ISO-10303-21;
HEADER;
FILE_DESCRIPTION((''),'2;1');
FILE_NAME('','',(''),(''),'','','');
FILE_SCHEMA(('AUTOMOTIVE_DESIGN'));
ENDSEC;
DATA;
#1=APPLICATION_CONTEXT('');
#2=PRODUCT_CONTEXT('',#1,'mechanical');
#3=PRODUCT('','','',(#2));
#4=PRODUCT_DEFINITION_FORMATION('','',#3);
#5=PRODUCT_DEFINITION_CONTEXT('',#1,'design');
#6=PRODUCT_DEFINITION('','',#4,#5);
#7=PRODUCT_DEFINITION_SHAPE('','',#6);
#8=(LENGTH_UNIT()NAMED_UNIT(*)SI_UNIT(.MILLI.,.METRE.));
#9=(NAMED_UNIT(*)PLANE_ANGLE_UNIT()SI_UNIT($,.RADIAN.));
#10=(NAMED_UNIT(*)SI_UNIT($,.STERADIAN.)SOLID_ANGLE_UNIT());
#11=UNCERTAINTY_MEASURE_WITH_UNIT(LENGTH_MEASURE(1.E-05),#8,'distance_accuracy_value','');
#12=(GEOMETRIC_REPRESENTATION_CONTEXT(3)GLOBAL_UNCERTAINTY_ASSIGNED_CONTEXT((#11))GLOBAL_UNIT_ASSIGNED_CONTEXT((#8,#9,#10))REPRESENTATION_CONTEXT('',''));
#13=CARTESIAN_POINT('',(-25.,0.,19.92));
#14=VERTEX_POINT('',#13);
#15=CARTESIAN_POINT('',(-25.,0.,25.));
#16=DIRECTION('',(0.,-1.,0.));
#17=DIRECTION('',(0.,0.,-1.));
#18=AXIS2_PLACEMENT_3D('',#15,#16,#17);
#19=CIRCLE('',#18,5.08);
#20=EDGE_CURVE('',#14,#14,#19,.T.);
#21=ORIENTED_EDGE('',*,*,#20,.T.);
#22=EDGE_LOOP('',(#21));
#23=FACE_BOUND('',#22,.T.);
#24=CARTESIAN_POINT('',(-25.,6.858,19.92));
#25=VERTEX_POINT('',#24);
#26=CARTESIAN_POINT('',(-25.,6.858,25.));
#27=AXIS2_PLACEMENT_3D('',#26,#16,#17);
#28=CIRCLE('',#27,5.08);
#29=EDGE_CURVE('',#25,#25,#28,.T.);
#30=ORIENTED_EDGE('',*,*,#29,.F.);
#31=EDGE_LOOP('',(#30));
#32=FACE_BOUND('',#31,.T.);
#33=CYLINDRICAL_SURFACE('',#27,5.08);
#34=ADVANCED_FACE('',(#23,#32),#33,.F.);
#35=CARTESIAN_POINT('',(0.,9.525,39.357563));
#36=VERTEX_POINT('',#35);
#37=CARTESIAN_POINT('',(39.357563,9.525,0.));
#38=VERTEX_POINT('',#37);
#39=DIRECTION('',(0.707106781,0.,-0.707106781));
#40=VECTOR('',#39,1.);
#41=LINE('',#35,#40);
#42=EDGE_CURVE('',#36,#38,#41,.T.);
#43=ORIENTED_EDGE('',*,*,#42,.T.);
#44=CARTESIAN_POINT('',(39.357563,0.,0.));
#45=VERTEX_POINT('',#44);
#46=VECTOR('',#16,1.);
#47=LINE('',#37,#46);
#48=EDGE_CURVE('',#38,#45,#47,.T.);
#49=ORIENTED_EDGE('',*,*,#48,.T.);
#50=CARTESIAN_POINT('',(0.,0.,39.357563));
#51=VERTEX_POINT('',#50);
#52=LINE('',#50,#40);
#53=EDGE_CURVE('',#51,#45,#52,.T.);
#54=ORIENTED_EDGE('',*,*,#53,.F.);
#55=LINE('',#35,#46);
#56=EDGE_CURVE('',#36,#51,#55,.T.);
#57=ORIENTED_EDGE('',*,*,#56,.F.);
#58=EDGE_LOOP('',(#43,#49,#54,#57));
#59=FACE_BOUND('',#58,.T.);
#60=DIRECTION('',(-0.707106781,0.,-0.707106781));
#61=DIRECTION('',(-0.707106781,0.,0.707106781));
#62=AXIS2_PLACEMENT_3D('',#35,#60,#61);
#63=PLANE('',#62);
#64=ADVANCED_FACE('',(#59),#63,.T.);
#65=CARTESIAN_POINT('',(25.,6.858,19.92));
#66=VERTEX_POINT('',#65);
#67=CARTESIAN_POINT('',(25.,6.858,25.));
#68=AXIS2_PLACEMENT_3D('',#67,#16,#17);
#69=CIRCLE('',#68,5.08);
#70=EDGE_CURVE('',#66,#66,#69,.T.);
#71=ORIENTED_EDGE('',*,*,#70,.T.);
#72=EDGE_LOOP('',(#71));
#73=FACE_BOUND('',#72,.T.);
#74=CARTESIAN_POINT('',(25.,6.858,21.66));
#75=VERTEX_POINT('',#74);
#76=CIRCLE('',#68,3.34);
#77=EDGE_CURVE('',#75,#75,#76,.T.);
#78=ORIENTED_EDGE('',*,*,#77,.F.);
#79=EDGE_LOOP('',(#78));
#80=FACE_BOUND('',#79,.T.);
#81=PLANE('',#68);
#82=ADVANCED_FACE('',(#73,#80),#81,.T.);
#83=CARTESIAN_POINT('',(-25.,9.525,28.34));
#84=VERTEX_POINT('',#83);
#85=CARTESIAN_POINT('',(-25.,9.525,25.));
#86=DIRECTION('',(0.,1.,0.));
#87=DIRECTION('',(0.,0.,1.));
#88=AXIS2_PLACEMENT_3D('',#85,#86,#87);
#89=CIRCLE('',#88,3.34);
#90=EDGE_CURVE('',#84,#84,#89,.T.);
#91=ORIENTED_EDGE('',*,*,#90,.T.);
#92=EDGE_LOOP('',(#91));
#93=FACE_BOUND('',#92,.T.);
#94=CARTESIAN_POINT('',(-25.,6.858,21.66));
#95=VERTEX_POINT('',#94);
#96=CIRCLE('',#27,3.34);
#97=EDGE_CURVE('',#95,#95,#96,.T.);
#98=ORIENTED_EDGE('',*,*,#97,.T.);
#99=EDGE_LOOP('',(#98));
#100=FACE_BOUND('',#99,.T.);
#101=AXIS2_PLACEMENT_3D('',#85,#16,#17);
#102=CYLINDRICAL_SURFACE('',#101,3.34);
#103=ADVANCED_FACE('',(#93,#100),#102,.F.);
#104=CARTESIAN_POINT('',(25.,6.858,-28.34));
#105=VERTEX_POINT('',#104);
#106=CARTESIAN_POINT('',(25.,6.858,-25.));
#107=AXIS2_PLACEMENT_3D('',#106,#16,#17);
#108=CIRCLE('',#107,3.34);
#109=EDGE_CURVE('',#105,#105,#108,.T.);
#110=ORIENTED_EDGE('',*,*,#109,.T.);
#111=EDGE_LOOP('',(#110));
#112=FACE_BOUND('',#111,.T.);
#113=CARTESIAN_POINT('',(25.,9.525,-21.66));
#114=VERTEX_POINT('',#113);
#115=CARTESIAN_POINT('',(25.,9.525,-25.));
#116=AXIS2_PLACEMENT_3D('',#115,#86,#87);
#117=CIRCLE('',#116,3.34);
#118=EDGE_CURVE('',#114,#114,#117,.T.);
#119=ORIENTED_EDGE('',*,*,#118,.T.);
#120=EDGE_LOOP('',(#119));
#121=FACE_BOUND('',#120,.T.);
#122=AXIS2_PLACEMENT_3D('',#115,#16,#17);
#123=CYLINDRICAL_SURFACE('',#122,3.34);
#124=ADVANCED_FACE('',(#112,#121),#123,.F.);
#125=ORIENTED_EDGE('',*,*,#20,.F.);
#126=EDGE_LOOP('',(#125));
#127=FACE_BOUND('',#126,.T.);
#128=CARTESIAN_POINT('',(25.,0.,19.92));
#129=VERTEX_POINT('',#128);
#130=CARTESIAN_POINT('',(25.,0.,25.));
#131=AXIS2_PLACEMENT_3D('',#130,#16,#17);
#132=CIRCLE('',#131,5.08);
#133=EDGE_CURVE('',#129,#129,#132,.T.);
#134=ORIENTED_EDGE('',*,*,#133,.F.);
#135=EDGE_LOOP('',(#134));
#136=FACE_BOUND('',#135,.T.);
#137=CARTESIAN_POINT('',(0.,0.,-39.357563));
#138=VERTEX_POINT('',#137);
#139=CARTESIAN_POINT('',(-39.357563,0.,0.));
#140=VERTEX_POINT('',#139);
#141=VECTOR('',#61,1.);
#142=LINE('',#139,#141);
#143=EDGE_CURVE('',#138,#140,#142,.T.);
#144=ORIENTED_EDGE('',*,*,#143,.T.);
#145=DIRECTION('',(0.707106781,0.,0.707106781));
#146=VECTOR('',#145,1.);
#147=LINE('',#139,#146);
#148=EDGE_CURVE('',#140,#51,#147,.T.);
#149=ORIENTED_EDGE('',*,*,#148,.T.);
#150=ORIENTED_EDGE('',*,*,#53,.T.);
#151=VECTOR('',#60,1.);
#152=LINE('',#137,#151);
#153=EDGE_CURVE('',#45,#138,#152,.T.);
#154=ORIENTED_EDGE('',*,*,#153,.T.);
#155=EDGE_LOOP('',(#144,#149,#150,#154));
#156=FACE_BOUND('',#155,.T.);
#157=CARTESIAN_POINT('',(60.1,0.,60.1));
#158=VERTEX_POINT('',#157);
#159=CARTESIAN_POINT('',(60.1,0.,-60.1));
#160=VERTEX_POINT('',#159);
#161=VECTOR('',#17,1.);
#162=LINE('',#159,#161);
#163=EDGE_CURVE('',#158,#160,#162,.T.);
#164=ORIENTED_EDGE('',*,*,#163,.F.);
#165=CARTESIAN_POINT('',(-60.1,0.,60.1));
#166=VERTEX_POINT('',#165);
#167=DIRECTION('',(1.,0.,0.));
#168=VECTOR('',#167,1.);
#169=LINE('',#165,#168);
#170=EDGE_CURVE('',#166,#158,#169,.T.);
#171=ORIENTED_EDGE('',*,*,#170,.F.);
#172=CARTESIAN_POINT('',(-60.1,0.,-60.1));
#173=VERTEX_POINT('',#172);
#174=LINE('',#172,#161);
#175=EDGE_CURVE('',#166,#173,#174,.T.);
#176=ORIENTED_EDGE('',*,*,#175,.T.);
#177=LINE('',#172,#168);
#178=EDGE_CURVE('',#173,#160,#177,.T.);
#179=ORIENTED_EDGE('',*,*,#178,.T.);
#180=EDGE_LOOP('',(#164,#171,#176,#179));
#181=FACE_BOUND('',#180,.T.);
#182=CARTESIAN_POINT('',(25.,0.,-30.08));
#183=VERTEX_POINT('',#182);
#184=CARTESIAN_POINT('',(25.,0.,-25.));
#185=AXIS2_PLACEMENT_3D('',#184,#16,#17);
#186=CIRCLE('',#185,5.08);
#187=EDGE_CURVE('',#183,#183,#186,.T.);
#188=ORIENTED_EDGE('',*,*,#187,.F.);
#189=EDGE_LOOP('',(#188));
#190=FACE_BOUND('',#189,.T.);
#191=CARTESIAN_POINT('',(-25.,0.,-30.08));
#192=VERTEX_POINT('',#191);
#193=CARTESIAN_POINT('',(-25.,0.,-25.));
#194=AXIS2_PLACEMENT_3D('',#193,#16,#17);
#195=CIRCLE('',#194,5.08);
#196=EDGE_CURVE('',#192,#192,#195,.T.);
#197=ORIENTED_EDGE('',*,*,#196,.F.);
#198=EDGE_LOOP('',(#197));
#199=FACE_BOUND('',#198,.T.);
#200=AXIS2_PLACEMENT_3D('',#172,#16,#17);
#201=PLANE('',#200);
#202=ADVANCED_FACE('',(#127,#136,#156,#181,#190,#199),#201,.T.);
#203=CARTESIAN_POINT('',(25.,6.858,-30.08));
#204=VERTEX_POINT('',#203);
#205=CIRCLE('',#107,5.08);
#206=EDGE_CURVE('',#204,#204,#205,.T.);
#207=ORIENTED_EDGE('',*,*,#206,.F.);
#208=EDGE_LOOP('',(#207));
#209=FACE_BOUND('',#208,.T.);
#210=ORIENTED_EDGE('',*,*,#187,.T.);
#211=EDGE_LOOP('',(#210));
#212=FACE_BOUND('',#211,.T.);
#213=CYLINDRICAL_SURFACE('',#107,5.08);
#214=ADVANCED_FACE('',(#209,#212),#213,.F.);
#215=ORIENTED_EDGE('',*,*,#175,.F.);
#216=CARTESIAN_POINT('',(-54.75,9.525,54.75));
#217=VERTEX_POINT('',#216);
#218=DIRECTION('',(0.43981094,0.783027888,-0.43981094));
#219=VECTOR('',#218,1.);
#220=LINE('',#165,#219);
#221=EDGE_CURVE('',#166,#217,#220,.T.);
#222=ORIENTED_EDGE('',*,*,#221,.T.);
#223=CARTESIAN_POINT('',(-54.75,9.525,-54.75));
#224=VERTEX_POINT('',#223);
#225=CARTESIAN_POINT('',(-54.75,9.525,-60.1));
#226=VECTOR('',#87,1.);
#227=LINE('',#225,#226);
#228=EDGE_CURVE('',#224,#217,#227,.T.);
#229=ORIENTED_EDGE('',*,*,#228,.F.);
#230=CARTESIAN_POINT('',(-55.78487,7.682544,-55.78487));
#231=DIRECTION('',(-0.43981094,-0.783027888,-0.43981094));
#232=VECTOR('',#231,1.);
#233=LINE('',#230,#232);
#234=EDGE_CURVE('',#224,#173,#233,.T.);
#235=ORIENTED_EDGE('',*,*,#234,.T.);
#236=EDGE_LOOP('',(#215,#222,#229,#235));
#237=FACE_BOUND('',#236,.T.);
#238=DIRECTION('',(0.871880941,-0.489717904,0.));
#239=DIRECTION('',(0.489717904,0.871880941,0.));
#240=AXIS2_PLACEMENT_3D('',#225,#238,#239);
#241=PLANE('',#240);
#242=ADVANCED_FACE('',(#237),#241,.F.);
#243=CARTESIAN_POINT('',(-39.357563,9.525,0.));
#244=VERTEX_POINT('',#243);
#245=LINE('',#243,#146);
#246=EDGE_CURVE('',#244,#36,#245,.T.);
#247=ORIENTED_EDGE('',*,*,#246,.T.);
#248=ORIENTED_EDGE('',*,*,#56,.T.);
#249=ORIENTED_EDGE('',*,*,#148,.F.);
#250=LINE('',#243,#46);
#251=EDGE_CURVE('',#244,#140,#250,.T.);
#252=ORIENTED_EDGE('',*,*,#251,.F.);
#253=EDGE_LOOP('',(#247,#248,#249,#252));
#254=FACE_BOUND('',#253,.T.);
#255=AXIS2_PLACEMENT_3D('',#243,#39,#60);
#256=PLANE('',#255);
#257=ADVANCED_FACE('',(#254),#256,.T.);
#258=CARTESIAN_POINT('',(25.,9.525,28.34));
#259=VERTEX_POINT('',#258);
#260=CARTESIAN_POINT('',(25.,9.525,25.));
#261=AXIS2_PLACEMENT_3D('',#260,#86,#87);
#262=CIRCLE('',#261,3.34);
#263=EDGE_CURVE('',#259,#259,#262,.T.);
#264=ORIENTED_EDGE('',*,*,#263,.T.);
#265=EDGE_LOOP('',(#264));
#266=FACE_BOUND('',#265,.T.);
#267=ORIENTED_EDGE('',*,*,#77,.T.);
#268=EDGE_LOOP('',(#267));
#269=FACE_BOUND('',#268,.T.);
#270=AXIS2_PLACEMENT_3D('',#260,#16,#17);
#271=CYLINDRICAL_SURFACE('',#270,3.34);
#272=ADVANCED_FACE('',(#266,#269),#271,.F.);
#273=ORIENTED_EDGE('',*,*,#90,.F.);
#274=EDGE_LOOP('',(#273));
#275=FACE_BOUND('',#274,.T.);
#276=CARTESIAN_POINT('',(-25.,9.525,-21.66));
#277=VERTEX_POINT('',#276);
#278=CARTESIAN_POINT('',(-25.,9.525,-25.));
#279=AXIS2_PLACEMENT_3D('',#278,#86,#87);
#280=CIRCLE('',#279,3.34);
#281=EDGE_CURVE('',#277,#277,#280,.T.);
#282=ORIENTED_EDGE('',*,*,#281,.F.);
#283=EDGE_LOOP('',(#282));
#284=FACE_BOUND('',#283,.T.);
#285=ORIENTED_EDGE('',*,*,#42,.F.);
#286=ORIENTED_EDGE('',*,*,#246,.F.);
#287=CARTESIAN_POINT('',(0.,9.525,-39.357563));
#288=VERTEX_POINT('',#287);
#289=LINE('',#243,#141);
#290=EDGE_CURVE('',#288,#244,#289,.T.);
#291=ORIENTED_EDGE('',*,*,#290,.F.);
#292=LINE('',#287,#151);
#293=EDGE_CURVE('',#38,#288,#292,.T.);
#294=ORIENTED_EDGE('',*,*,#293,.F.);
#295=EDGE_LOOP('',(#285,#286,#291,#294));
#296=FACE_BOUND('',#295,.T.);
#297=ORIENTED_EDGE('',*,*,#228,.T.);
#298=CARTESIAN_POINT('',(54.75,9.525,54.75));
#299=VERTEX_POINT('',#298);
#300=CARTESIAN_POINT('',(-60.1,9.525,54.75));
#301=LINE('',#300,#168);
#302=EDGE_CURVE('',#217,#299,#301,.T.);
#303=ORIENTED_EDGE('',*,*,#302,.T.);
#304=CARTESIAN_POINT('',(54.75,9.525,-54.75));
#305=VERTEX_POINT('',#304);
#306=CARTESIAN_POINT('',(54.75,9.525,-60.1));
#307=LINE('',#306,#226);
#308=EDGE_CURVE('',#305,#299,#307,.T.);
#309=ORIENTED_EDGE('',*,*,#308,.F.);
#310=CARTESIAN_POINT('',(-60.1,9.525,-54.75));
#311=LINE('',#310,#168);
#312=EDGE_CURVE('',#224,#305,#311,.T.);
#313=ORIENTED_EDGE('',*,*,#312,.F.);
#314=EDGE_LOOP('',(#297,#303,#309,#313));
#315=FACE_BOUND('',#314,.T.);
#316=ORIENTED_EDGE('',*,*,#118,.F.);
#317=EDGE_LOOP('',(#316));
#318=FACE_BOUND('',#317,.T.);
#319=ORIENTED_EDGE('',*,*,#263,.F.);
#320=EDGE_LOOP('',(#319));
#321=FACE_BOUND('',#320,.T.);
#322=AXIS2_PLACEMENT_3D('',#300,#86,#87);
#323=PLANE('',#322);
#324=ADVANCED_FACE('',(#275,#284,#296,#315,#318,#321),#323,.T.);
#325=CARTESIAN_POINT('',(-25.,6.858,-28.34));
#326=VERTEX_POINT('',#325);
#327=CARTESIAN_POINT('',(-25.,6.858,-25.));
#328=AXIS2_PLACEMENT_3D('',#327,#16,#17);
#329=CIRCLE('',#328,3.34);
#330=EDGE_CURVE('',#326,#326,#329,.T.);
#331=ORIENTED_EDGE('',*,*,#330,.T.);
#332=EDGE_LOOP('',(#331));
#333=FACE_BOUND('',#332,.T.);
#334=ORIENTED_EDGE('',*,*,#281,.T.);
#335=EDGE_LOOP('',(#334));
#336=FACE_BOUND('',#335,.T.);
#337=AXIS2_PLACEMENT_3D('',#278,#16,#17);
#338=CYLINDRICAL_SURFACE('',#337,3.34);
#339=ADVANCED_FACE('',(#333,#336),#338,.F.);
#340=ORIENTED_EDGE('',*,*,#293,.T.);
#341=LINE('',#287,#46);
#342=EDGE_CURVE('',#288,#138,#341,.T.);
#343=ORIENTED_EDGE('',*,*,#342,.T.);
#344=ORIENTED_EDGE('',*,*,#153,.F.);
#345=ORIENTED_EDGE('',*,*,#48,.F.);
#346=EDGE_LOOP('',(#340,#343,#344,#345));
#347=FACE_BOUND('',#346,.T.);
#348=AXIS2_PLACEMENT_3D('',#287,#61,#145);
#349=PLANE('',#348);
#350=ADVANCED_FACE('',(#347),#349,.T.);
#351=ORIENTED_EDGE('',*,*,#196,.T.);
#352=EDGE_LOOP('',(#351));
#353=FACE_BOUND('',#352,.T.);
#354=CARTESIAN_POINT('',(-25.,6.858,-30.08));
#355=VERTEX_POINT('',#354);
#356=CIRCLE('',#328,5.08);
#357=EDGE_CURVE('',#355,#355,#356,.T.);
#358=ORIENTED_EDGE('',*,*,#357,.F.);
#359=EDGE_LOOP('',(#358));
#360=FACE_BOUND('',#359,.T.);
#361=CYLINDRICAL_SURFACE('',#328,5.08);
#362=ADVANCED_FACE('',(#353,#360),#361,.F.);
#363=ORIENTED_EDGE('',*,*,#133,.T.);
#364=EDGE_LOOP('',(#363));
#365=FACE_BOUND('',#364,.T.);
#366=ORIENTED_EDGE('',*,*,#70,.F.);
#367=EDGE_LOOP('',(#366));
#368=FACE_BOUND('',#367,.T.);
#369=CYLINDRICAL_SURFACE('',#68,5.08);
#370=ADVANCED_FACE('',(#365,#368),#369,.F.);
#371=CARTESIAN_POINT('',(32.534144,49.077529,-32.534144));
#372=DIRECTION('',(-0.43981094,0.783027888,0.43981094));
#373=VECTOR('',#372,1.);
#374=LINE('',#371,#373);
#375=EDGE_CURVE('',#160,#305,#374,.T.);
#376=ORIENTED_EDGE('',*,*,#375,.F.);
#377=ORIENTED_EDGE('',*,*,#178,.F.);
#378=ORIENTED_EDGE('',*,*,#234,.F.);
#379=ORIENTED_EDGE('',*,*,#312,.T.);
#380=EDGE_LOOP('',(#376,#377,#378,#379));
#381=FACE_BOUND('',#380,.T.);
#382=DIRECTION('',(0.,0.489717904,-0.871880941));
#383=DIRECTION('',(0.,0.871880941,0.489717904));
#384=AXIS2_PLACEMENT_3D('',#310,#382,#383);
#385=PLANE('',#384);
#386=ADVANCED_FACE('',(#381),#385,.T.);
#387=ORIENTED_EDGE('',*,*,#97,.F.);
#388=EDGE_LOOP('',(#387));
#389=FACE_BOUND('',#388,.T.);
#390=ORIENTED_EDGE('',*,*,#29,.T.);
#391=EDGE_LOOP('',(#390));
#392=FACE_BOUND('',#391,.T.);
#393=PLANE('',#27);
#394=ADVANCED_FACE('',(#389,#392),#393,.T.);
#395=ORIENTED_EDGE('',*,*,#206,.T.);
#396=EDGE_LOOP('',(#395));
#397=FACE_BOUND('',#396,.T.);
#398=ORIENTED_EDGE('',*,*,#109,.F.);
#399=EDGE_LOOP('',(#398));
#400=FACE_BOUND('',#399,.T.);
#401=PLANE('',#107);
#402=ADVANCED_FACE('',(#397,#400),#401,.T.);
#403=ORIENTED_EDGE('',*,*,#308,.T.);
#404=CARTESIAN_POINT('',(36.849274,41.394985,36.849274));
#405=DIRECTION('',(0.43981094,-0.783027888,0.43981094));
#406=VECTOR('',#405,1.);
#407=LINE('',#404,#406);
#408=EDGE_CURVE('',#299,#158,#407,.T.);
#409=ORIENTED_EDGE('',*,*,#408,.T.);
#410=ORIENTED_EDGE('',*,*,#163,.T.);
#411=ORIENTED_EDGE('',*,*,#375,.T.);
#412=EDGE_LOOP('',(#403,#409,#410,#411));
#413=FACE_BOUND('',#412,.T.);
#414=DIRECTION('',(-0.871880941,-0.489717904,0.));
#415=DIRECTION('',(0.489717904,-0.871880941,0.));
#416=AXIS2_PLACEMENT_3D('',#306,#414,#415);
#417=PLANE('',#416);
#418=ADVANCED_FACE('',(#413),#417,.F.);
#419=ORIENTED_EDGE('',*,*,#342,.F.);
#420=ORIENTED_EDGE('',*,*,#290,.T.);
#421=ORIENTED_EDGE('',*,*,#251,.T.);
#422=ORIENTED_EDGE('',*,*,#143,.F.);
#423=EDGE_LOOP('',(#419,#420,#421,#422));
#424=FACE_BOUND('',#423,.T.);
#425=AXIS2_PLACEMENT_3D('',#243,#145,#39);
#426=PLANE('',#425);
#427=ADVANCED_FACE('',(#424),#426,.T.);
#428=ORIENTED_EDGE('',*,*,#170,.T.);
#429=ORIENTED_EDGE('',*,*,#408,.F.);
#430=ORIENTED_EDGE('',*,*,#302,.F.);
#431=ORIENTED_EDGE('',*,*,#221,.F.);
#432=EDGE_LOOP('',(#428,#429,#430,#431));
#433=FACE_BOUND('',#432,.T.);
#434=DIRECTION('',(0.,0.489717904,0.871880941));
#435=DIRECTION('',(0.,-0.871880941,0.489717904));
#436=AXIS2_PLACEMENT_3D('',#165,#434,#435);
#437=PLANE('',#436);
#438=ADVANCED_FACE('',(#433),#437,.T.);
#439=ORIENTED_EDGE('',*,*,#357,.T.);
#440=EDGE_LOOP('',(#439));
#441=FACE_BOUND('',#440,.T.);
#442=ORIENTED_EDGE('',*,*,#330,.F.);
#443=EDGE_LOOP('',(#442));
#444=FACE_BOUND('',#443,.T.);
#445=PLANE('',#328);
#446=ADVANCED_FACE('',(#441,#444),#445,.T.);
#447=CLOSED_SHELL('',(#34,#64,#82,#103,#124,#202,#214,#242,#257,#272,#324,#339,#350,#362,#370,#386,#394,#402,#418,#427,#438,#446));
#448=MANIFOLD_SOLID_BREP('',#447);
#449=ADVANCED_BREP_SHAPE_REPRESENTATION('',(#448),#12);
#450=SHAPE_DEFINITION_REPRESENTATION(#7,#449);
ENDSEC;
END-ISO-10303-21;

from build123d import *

# Parameters (mm, degrees)
BOSS_EXTRUDE1_DEPTH      = 60.1
BOSS_EXTRUDE1_DEPTH_BACK = 60.1
CUT_EXTRUDE3_DEPTH       = 86.526286164
CUT_EXTRUDE3_DEPTH_BACK  = 86.526286164
SKETCH2_R                = 3.34
CUT_EXTRUDE5_DEPTH       = 86.526286164
SKETCH8_R                = 5.08
CUT_EXTRUDE6_DEPTH       = 6.858


with BuildPart() as part:
    # Sketch5 → Boss-Extrude1 (new, two sides: drawn at the far end of the back side and taken through both)
    with BuildSketch(Plane(origin=(0, 0, 0), x_dir=(0, 0, -1), z_dir=(1, 0, 0)).offset(-BOSS_EXTRUDE1_DEPTH_BACK)):
        Polygon((60.1, 0), (-60.1, 0), (-54.75, 9.525), (54.75, 9.525), align=None)
    extrude(amount=BOSS_EXTRUDE1_DEPTH + BOSS_EXTRUDE1_DEPTH_BACK)

    # Sketch6 → Cut-Extrude3 (cut, two sides: drawn at the far end of the back side and taken through both)
    with BuildSketch(Plane.XY.offset(-CUT_EXTRUDE3_DEPTH_BACK)):
        Polygon((-54.75, 9.525), (-60.1, 0), (-60.1, 9.525), align=None)
        Polygon((60.1, 9.525), (54.75, 9.525), (60.1, 0), align=None)
    extrude(amount=CUT_EXTRUDE3_DEPTH + CUT_EXTRUDE3_DEPTH_BACK, mode=Mode.SUBTRACT)

    # Sketch2 → Cut-Extrude5 (cut, through all)
    with BuildSketch(Plane(origin=(0, 0, 0), x_dir=(1, 0, 0), z_dir=(0, 1, 0))):
        with Locations((-25, 25)):
            Circle(SKETCH2_R)
        with Locations((25, 25)):
            Circle(SKETCH2_R)
        with Locations((25, -25)):
            Circle(SKETCH2_R)
        with Locations((-25, -25)):
            Circle(SKETCH2_R)
        Polygon((-39.357563441, 0), (0, 39.357563441), (39.357563441, 0), (0, -39.357563441), align=None)
    extrude(amount=CUT_EXTRUDE5_DEPTH, mode=Mode.SUBTRACT)

    # Sketch8 → Cut-Extrude6 (cut)
    with BuildSketch(Plane.XZ):
        with Locations((-25, 25)):
            Circle(SKETCH8_R)
        with Locations((25, 25)):
            Circle(SKETCH8_R)
        with Locations((25, -25)):
            Circle(SKETCH8_R)
        with Locations((-25, -25)):
            Circle(SKETCH8_R)
    extrude(amount=-CUT_EXTRUDE6_DEPTH, mode=Mode.SUBTRACT)


solid = part.part
